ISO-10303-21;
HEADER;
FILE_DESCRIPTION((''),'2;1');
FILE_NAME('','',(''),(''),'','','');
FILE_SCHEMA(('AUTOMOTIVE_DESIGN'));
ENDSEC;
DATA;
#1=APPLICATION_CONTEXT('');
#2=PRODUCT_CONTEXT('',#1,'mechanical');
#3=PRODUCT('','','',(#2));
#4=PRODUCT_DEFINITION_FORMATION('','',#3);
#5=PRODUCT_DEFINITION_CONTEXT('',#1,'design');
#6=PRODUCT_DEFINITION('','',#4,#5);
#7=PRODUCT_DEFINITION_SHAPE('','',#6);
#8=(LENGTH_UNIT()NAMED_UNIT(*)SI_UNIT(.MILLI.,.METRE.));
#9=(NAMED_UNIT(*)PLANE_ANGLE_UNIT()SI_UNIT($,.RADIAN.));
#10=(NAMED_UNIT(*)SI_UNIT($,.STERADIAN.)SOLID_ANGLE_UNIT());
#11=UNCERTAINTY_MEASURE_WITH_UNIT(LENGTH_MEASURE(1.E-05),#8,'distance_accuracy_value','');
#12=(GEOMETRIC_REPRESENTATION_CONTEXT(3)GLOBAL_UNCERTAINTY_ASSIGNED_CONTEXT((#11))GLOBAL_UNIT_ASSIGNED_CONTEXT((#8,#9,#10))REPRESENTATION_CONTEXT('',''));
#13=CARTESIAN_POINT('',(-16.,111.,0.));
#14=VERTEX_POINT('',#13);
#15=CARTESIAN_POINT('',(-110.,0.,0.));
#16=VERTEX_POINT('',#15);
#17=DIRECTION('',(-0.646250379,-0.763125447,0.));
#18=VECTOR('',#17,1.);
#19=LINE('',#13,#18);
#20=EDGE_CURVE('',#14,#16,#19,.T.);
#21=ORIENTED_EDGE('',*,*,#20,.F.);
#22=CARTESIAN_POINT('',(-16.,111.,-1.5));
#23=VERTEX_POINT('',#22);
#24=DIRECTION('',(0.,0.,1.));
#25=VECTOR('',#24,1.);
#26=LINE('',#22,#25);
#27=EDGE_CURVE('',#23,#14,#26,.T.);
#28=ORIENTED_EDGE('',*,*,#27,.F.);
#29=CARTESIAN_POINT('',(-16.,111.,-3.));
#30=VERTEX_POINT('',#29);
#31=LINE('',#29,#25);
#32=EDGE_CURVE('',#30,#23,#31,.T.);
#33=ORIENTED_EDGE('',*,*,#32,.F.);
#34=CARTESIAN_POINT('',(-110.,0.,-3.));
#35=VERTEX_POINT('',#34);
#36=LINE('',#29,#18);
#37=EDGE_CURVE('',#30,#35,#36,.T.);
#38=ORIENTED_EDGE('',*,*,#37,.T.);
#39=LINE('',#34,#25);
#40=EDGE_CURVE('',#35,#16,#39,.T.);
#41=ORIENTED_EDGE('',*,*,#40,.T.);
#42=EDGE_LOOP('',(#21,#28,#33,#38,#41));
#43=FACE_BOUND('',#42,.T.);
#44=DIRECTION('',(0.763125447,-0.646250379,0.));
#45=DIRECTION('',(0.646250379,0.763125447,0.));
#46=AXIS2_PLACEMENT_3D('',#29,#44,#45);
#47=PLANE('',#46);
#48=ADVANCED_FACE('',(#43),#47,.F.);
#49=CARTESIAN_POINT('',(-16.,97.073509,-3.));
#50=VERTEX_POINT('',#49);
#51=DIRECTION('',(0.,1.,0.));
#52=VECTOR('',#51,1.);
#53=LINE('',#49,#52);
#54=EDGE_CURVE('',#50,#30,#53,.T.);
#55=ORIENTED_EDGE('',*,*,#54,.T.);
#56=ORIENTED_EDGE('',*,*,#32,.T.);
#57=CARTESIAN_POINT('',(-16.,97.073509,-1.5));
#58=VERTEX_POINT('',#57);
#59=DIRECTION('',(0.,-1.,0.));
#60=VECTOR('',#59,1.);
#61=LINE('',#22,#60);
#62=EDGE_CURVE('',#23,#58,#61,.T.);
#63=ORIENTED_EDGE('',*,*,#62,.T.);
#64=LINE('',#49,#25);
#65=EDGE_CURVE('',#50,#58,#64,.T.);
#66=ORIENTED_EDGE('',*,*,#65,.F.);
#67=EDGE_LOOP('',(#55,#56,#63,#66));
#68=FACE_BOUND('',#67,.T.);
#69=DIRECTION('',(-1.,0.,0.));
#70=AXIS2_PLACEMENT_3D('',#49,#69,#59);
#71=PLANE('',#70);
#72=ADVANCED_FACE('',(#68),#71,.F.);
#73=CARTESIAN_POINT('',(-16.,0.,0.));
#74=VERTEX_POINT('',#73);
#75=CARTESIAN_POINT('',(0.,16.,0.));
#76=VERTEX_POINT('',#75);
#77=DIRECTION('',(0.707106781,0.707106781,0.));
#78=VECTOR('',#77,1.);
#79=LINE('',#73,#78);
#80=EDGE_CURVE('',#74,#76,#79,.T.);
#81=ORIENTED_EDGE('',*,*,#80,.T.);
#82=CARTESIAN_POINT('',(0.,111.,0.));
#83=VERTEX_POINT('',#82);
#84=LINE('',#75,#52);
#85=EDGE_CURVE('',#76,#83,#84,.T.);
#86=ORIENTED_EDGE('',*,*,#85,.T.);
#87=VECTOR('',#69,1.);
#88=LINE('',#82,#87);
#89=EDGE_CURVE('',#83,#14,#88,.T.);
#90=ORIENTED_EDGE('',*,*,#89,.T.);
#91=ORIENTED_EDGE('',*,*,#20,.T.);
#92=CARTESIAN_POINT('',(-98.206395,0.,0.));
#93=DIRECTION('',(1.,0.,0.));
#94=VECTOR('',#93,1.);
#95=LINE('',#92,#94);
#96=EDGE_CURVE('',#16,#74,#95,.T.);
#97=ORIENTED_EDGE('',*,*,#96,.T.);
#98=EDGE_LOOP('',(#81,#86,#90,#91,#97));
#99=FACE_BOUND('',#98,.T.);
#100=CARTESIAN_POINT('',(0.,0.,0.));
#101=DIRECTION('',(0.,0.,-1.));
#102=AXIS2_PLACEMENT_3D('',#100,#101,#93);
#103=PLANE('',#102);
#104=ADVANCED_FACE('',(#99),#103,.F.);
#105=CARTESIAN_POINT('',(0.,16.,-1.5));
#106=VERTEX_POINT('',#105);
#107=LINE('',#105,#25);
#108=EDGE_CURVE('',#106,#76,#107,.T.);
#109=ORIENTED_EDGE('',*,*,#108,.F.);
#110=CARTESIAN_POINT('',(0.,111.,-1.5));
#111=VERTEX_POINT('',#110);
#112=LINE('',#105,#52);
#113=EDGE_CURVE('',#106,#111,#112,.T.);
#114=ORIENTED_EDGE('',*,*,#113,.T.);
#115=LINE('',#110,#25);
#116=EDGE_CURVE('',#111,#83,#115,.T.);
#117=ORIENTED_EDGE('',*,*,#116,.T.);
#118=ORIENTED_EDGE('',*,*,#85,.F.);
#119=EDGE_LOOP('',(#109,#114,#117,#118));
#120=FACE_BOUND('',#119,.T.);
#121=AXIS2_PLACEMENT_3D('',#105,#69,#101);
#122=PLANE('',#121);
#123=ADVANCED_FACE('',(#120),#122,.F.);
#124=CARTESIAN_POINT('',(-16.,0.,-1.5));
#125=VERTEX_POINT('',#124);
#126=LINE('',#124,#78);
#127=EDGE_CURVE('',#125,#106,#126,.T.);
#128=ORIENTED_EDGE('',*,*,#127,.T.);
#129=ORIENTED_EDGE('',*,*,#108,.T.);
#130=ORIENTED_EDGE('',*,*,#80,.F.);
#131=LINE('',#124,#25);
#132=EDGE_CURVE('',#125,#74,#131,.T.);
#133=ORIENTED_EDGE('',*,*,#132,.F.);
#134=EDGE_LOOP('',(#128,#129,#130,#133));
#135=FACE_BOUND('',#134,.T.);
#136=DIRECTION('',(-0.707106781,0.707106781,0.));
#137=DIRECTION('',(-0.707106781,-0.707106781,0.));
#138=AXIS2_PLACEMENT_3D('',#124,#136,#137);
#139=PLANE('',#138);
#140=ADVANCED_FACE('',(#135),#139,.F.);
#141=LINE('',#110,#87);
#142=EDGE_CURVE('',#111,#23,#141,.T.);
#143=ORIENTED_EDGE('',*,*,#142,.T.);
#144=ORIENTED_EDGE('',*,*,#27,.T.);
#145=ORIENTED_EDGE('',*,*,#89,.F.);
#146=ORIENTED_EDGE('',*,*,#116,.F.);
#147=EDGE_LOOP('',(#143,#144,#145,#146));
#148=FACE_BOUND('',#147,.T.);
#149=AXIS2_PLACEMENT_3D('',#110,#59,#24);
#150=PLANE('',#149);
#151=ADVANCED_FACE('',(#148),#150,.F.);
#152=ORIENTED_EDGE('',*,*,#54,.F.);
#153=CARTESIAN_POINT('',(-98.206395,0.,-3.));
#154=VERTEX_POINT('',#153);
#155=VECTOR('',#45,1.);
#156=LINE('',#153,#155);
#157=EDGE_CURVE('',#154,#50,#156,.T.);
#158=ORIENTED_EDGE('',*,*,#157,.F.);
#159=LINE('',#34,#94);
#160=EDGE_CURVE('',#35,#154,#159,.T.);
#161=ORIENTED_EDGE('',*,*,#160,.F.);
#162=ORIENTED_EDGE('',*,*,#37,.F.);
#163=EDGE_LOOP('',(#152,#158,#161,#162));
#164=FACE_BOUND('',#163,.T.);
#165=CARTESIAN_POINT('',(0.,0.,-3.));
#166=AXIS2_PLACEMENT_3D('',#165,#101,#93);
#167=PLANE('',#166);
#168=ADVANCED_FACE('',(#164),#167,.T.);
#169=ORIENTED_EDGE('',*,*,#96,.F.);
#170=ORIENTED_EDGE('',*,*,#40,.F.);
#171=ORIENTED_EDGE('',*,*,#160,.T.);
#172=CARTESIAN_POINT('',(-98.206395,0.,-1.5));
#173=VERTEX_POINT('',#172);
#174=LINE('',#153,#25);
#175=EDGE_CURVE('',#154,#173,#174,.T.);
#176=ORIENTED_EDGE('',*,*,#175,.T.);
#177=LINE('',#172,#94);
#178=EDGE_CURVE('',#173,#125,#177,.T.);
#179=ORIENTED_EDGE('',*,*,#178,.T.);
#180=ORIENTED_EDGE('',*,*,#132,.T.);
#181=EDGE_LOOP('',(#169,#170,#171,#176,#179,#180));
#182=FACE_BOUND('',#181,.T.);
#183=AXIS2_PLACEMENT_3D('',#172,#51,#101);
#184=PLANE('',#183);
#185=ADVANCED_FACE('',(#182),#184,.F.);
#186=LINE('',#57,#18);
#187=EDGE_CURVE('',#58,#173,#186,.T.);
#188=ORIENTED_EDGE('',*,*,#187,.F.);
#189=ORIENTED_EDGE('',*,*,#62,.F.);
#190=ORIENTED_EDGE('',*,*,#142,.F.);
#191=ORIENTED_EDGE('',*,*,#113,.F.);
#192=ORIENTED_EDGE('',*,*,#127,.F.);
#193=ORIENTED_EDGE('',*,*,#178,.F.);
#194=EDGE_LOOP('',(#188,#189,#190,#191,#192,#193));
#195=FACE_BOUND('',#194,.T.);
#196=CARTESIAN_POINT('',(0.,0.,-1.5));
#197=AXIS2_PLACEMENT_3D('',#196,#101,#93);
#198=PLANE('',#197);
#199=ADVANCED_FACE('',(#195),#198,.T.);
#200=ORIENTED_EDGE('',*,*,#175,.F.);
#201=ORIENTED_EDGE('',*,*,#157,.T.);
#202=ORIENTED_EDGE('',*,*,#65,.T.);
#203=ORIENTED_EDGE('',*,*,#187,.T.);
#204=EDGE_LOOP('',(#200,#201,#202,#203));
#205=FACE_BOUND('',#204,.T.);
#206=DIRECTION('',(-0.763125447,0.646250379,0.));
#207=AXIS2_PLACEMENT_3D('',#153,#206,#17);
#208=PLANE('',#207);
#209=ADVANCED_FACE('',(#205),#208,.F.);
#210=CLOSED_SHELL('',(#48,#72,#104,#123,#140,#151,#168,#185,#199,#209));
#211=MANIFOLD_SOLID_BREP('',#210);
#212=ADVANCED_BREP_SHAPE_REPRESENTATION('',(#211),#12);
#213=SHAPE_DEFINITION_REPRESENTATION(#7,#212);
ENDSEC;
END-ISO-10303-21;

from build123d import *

# Parameters (mm, degrees)
EXTRUDE_1_DEPTH = 1.5
EXTRUDE_2_DEPTH = 3


with BuildPart() as part:
    # 草圖1 → 擠出1 (new body)
    with BuildSketch(Plane.XY):
        Polygon((-16, 0), (0, 16), (0, 111), (-16, 111), (-16, 97.073509127), (-98.206395117, 0), align=None)
    extrude(amount=EXTRUDE_1_DEPTH)

    # 草圖2 → 擠出2 (add)
    with BuildSketch(Plane.XY):
        Polygon((-110, 0), (-98.206395117, 0), (-16, 97.073509127), (-16, 111), align=None)
    extrude(amount=EXTRUDE_2_DEPTH)


with BuildPart() as body_2:
    # 鏡射1: mirrored copy
    add(part.part.mirror(Plane(origin=(-44.219505569, 22.2, 0), x_dir=(1, 0, 0), z_dir=(0, 0, 1))))


solid = body_2.part
